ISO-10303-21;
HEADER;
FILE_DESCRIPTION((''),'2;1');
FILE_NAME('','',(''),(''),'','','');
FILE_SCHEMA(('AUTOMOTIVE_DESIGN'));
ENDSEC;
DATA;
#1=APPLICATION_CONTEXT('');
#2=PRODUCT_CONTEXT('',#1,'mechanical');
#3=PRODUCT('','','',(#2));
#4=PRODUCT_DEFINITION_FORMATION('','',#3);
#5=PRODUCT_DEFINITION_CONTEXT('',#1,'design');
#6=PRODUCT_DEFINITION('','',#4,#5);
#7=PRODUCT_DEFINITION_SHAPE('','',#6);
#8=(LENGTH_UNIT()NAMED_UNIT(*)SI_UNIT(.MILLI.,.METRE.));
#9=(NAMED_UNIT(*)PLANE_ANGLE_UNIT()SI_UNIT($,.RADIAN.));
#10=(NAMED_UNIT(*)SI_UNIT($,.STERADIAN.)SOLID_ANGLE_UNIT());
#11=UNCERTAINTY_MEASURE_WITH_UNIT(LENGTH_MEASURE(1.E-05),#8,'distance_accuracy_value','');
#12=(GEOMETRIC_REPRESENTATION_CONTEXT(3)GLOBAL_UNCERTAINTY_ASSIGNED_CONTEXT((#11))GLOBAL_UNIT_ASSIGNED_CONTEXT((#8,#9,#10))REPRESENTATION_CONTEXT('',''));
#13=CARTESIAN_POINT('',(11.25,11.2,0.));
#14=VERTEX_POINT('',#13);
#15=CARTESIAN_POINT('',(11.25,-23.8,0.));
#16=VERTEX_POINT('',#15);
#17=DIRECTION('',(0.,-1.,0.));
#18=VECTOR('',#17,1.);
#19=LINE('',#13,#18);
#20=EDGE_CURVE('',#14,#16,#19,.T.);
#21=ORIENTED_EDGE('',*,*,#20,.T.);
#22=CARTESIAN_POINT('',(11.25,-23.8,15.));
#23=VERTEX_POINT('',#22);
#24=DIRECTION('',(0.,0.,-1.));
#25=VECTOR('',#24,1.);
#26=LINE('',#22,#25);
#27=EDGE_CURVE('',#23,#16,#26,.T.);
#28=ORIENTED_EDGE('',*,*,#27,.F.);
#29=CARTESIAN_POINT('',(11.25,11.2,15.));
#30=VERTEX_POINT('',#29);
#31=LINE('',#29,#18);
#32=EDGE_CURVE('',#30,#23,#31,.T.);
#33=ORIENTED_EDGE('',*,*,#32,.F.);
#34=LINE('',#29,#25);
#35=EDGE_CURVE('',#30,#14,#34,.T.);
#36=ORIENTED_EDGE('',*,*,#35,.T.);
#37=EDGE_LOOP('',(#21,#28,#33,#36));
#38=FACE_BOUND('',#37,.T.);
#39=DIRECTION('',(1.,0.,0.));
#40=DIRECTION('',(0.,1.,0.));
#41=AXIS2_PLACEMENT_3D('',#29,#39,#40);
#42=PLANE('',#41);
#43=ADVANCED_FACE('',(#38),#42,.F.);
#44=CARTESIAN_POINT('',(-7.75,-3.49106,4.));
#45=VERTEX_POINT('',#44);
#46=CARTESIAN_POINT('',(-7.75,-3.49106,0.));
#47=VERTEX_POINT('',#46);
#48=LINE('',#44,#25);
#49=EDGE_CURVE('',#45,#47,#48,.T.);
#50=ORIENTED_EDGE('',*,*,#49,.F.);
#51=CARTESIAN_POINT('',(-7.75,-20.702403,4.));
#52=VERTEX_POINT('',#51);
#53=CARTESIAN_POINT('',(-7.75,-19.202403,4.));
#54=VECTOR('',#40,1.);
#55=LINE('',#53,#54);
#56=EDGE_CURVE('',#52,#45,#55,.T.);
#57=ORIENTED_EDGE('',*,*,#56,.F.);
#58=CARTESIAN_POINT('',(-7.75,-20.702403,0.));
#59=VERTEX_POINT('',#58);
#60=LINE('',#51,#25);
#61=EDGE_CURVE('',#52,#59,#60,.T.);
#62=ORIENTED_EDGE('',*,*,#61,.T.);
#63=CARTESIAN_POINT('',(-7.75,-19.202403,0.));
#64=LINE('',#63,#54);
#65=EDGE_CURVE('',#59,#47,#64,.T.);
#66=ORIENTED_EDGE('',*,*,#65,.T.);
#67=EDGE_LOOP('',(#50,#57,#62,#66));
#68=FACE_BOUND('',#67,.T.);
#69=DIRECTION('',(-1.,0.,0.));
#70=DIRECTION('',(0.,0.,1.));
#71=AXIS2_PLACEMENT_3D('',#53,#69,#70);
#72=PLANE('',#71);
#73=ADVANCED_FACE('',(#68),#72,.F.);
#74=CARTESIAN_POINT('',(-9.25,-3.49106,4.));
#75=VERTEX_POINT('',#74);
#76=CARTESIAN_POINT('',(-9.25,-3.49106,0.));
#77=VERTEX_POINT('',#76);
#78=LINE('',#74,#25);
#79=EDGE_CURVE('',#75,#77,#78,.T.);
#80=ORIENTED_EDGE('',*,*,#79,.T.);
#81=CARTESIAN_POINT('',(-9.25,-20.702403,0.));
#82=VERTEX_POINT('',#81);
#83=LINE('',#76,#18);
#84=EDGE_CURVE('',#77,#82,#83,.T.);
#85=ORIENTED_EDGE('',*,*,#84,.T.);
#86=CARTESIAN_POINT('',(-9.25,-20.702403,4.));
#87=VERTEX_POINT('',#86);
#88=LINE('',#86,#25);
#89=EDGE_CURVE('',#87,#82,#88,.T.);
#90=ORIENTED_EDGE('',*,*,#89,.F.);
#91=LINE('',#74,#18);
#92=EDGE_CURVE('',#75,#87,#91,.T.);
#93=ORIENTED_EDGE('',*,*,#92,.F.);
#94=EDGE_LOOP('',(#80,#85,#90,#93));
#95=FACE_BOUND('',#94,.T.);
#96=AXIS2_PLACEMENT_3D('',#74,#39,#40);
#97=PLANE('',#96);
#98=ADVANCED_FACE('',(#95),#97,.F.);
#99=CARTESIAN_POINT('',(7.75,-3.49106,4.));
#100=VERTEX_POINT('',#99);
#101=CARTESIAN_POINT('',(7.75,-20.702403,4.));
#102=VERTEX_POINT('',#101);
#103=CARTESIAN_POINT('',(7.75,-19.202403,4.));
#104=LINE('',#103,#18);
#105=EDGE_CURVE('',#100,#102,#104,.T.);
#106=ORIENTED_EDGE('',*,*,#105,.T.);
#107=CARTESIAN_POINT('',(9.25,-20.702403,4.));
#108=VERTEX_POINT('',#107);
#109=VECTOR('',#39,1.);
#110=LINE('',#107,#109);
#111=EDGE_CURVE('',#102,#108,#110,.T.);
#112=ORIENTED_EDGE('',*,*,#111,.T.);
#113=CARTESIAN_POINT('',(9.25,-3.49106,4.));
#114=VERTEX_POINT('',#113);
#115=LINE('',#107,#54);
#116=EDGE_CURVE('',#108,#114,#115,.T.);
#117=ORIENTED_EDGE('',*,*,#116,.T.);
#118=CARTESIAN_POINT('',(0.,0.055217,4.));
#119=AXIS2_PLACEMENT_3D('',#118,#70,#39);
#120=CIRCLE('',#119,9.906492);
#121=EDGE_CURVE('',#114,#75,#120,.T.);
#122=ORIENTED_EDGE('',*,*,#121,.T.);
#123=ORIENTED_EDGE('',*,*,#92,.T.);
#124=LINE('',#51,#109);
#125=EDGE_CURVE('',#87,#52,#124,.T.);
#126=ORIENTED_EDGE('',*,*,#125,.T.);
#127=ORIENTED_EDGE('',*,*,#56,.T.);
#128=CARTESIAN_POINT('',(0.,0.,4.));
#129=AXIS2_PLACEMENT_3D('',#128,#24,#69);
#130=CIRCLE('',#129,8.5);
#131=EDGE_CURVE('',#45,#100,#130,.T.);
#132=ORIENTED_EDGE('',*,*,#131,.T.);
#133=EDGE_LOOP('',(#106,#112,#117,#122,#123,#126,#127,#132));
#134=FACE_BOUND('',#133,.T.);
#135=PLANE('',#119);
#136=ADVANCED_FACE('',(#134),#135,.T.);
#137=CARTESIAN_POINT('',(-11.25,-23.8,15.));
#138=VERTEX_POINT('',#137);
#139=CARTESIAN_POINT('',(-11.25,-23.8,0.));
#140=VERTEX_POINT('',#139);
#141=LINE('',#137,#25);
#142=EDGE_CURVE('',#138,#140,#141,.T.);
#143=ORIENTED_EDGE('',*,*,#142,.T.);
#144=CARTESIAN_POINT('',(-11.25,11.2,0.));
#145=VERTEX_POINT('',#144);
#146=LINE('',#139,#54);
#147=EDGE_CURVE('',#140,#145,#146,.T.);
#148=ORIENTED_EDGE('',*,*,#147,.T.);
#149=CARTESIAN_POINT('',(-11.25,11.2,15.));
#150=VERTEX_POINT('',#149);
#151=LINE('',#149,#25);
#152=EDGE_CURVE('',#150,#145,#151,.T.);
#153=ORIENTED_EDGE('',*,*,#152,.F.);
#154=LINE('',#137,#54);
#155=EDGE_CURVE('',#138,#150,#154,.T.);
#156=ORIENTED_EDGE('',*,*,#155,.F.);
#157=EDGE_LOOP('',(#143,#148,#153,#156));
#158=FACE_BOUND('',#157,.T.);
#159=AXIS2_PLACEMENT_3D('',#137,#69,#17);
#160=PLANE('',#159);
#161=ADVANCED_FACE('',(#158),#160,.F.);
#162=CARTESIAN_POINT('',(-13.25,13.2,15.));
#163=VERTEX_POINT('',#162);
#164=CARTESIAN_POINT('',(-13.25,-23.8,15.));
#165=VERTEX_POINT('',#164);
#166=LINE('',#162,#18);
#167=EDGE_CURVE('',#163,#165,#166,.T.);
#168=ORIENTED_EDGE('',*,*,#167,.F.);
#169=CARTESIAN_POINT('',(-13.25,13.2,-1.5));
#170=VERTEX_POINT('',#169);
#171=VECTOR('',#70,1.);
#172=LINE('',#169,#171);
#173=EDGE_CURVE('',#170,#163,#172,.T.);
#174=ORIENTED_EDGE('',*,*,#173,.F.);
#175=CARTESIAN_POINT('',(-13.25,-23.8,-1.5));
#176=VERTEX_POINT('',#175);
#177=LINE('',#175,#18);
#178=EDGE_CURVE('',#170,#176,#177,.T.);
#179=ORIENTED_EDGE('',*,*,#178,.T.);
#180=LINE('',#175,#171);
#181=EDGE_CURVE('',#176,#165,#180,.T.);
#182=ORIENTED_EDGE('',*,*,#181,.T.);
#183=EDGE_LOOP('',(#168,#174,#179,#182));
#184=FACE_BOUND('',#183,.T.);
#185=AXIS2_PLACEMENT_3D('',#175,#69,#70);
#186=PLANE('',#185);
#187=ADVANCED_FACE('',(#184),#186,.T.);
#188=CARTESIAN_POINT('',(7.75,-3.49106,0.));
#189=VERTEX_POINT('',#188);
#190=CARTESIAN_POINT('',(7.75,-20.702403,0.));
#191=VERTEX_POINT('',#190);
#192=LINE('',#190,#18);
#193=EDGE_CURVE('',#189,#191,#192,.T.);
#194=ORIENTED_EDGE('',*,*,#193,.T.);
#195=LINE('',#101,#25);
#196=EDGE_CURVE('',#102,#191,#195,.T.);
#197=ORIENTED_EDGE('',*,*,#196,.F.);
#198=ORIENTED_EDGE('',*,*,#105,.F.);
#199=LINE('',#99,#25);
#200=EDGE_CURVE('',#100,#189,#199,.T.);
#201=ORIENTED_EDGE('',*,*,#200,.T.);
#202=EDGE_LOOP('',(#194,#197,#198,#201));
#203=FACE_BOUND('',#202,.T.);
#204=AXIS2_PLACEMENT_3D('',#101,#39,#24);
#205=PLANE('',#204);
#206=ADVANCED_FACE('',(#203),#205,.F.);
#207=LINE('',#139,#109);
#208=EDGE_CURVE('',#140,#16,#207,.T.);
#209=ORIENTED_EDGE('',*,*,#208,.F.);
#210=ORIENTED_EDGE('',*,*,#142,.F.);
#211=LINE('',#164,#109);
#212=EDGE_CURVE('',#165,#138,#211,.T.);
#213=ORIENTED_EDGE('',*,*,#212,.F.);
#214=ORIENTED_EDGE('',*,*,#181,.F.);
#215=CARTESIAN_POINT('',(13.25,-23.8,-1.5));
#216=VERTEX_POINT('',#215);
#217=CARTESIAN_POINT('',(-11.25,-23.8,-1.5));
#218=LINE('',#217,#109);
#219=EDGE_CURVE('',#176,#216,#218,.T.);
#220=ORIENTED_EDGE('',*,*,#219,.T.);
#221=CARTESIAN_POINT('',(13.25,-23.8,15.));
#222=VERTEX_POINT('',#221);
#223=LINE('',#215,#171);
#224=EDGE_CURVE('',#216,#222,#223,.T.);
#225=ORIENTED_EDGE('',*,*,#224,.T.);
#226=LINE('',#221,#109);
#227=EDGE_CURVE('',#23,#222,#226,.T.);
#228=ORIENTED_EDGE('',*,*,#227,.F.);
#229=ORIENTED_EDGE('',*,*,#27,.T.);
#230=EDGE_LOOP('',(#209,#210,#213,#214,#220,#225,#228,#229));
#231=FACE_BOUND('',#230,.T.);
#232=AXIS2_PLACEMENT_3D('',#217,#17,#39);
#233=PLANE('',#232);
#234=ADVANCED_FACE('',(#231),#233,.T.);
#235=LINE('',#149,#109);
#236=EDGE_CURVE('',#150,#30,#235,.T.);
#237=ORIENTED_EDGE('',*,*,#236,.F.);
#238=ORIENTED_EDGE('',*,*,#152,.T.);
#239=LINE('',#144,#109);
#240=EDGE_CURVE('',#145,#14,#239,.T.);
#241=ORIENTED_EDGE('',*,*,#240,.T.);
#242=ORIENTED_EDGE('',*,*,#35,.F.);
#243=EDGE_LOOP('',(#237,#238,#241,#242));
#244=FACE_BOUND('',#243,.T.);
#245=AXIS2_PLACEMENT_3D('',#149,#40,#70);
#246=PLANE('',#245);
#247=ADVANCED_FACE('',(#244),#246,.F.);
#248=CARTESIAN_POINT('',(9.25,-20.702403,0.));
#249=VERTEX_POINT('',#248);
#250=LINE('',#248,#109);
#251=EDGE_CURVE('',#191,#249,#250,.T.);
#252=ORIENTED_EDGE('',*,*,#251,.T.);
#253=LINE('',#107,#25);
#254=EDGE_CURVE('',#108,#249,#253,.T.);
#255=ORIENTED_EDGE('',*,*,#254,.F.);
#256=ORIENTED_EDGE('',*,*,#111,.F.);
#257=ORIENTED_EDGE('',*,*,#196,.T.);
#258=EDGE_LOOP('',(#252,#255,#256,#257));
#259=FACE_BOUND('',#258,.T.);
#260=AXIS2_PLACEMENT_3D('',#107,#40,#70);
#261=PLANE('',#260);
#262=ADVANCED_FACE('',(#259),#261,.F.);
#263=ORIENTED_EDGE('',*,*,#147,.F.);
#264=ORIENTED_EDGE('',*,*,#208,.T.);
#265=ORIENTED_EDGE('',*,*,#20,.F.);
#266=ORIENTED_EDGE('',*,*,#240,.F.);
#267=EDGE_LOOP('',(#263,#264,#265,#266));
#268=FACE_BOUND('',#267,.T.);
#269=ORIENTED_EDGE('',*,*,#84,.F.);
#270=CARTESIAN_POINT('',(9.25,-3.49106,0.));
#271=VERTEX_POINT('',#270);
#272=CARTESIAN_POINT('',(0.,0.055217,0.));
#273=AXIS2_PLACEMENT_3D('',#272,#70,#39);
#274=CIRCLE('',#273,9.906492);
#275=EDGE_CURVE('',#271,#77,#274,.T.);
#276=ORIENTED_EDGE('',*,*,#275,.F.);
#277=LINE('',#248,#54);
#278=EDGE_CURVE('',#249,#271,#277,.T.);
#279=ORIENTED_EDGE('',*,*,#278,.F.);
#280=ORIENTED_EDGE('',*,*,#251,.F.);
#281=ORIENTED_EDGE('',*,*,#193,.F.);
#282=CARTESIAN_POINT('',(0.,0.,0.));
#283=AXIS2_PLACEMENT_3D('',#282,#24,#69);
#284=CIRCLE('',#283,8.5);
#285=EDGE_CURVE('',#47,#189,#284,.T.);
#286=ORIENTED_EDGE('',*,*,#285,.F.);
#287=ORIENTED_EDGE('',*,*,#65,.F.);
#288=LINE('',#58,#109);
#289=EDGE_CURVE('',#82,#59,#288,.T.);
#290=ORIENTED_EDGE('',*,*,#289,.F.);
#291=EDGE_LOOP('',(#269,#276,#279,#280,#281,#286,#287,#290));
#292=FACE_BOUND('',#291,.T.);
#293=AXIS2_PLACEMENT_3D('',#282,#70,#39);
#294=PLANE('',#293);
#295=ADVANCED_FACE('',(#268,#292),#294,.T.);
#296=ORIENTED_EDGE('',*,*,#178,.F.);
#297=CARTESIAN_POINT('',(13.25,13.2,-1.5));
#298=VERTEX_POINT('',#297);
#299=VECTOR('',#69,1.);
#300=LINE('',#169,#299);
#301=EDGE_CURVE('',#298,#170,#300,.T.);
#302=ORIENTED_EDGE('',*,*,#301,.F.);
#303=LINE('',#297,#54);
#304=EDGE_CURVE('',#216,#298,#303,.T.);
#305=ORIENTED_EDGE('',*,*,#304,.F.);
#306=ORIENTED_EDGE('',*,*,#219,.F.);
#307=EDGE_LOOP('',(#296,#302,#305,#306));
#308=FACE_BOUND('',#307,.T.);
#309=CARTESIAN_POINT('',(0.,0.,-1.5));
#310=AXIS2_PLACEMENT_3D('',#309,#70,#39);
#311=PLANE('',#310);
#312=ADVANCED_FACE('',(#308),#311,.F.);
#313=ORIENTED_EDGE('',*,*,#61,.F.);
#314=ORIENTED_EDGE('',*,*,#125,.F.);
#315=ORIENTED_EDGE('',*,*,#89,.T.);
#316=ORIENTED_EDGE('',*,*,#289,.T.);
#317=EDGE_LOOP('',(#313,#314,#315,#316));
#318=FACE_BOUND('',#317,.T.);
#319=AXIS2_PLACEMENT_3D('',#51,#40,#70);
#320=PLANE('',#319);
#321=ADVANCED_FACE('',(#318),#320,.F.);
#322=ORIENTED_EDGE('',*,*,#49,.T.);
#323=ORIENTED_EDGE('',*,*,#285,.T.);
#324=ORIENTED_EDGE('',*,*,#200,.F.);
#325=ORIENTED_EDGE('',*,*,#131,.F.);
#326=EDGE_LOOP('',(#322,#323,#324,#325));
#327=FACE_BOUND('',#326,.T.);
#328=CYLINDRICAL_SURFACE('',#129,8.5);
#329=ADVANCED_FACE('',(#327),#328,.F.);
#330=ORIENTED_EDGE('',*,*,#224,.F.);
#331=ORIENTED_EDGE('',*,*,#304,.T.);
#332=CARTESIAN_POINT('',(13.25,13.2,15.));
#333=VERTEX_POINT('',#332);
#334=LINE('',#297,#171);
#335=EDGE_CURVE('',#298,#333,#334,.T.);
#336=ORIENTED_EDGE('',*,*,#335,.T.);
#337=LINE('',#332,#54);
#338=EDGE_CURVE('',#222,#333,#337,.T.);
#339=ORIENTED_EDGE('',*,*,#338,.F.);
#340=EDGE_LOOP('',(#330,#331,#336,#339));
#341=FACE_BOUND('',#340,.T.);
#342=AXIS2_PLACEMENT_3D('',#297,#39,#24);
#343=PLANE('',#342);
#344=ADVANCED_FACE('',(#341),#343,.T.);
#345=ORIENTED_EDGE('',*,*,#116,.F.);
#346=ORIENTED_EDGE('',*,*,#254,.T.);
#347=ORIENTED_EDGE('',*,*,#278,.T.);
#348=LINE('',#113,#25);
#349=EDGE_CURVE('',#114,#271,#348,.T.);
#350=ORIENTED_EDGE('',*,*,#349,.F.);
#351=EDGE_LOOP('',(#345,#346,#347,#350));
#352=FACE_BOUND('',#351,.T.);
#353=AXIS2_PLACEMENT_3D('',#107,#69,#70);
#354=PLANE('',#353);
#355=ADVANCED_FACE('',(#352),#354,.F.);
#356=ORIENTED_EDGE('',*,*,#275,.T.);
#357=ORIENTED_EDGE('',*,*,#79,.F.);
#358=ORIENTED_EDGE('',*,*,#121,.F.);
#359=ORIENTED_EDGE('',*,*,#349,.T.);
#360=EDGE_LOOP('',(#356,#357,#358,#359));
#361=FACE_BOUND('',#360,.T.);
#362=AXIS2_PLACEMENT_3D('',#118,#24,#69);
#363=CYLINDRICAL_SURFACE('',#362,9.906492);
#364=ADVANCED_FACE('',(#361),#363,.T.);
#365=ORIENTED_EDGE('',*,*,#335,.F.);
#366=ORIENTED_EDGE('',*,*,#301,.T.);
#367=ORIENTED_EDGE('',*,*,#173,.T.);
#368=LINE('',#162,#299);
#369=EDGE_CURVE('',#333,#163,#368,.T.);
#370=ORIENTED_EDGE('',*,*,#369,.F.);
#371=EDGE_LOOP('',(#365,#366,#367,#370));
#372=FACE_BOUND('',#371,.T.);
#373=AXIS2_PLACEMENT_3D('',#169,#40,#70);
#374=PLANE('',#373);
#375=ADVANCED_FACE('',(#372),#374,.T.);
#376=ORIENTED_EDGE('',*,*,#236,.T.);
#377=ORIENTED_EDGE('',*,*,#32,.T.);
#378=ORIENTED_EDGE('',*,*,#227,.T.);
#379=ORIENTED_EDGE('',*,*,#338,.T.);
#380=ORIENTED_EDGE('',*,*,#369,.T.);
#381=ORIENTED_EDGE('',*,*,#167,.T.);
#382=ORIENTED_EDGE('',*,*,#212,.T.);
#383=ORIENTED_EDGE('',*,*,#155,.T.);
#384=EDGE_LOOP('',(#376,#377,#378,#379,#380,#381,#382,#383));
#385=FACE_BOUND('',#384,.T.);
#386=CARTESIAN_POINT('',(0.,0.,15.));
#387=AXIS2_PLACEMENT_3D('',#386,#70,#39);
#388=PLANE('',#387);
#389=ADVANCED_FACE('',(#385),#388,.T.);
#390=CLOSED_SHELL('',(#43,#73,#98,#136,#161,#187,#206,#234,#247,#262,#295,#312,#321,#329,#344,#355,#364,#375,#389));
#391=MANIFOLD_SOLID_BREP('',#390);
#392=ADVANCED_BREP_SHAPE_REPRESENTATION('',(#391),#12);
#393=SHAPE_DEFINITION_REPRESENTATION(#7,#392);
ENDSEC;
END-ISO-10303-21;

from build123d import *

# Parameters (mm, degrees)
BOSS_EXTRUDE1_DEPTH = 4
SKETCH3_W           = 22.5
SKETCH3_H           = 35
BOSS_EXTRUDE2_DEPTH = 1.5
BOSS_EXTRUDE5_DEPTH = 15
BOSS_EXTRUDE6_DEPTH = 1.5


with BuildPart() as part:
    # Sketch1 → Boss-Extrude1 (new body)
    with BuildSketch(Plane.XY):
        with BuildLine():
            Line((-7.75, -19.202403031), (-7.75, -3.491060011))
            ThreePointArc((-7.75, -3.491060011), (0, 8.5), (7.75, -3.491060011))
            Line((7.75, -3.491060011), (7.75, -19.202403031))
            Line((7.75, -19.202403031), (7.75, -20.702403031))
            Line((7.75, -20.702403031), (9.25, -20.702403031))
            Line((9.25, -20.702403031), (9.25, -3.491060011))
            ThreePointArc((9.25, -3.491060011), (0, 9.961709327), (-9.25, -3.491060011))
            Line((-9.25, -3.491060011), (-9.25, -20.702403031))
            Line((-9.25, -20.702403031), (-7.75, -20.702403031))
            Line((-7.75, -20.702403031), (-7.75, -19.202403031))
        make_face()
    extrude(amount=BOSS_EXTRUDE1_DEPTH)

    # Sketch3 → Boss-Extrude2 (add)
    with BuildSketch(Plane.XY):
        with Locations((0, -6.3)):
            Rectangle(SKETCH3_W, SKETCH3_H)
    extrude(amount=-BOSS_EXTRUDE2_DEPTH)



with BuildPart() as body_2:
    # Sketch9 → Boss-Extrude5 (new body)
    with BuildSketch(Plane.XY):
        Polygon((-13.25, 13.2), (13.25, 13.2), (13.25, -23.8), (11.25, -23.8), (11.25, 11.2), (-11.25, 11.2), (-11.25, -23.8), (-13.25, -23.8), align=None)
    extrude(amount=BOSS_EXTRUDE5_DEPTH)


with BuildPart() as part_1:
    add(part.part)

    add(body_2.part)  # Boss-Extrude6 merges body 2
    # Sketch10 → Boss-Extrude6 (add)
    with BuildSketch(Plane.XY):
        Polygon((-13.25, 13.2), (13.25, 13.2), (13.25, -23.8), (11.25, -23.8), (11.25, 11.2), (-11.25, 11.2), (-11.25, -23.8), (-13.25, -23.8), align=None)
    extrude(amount=-BOSS_EXTRUDE6_DEPTH)


solid = part_1.part
